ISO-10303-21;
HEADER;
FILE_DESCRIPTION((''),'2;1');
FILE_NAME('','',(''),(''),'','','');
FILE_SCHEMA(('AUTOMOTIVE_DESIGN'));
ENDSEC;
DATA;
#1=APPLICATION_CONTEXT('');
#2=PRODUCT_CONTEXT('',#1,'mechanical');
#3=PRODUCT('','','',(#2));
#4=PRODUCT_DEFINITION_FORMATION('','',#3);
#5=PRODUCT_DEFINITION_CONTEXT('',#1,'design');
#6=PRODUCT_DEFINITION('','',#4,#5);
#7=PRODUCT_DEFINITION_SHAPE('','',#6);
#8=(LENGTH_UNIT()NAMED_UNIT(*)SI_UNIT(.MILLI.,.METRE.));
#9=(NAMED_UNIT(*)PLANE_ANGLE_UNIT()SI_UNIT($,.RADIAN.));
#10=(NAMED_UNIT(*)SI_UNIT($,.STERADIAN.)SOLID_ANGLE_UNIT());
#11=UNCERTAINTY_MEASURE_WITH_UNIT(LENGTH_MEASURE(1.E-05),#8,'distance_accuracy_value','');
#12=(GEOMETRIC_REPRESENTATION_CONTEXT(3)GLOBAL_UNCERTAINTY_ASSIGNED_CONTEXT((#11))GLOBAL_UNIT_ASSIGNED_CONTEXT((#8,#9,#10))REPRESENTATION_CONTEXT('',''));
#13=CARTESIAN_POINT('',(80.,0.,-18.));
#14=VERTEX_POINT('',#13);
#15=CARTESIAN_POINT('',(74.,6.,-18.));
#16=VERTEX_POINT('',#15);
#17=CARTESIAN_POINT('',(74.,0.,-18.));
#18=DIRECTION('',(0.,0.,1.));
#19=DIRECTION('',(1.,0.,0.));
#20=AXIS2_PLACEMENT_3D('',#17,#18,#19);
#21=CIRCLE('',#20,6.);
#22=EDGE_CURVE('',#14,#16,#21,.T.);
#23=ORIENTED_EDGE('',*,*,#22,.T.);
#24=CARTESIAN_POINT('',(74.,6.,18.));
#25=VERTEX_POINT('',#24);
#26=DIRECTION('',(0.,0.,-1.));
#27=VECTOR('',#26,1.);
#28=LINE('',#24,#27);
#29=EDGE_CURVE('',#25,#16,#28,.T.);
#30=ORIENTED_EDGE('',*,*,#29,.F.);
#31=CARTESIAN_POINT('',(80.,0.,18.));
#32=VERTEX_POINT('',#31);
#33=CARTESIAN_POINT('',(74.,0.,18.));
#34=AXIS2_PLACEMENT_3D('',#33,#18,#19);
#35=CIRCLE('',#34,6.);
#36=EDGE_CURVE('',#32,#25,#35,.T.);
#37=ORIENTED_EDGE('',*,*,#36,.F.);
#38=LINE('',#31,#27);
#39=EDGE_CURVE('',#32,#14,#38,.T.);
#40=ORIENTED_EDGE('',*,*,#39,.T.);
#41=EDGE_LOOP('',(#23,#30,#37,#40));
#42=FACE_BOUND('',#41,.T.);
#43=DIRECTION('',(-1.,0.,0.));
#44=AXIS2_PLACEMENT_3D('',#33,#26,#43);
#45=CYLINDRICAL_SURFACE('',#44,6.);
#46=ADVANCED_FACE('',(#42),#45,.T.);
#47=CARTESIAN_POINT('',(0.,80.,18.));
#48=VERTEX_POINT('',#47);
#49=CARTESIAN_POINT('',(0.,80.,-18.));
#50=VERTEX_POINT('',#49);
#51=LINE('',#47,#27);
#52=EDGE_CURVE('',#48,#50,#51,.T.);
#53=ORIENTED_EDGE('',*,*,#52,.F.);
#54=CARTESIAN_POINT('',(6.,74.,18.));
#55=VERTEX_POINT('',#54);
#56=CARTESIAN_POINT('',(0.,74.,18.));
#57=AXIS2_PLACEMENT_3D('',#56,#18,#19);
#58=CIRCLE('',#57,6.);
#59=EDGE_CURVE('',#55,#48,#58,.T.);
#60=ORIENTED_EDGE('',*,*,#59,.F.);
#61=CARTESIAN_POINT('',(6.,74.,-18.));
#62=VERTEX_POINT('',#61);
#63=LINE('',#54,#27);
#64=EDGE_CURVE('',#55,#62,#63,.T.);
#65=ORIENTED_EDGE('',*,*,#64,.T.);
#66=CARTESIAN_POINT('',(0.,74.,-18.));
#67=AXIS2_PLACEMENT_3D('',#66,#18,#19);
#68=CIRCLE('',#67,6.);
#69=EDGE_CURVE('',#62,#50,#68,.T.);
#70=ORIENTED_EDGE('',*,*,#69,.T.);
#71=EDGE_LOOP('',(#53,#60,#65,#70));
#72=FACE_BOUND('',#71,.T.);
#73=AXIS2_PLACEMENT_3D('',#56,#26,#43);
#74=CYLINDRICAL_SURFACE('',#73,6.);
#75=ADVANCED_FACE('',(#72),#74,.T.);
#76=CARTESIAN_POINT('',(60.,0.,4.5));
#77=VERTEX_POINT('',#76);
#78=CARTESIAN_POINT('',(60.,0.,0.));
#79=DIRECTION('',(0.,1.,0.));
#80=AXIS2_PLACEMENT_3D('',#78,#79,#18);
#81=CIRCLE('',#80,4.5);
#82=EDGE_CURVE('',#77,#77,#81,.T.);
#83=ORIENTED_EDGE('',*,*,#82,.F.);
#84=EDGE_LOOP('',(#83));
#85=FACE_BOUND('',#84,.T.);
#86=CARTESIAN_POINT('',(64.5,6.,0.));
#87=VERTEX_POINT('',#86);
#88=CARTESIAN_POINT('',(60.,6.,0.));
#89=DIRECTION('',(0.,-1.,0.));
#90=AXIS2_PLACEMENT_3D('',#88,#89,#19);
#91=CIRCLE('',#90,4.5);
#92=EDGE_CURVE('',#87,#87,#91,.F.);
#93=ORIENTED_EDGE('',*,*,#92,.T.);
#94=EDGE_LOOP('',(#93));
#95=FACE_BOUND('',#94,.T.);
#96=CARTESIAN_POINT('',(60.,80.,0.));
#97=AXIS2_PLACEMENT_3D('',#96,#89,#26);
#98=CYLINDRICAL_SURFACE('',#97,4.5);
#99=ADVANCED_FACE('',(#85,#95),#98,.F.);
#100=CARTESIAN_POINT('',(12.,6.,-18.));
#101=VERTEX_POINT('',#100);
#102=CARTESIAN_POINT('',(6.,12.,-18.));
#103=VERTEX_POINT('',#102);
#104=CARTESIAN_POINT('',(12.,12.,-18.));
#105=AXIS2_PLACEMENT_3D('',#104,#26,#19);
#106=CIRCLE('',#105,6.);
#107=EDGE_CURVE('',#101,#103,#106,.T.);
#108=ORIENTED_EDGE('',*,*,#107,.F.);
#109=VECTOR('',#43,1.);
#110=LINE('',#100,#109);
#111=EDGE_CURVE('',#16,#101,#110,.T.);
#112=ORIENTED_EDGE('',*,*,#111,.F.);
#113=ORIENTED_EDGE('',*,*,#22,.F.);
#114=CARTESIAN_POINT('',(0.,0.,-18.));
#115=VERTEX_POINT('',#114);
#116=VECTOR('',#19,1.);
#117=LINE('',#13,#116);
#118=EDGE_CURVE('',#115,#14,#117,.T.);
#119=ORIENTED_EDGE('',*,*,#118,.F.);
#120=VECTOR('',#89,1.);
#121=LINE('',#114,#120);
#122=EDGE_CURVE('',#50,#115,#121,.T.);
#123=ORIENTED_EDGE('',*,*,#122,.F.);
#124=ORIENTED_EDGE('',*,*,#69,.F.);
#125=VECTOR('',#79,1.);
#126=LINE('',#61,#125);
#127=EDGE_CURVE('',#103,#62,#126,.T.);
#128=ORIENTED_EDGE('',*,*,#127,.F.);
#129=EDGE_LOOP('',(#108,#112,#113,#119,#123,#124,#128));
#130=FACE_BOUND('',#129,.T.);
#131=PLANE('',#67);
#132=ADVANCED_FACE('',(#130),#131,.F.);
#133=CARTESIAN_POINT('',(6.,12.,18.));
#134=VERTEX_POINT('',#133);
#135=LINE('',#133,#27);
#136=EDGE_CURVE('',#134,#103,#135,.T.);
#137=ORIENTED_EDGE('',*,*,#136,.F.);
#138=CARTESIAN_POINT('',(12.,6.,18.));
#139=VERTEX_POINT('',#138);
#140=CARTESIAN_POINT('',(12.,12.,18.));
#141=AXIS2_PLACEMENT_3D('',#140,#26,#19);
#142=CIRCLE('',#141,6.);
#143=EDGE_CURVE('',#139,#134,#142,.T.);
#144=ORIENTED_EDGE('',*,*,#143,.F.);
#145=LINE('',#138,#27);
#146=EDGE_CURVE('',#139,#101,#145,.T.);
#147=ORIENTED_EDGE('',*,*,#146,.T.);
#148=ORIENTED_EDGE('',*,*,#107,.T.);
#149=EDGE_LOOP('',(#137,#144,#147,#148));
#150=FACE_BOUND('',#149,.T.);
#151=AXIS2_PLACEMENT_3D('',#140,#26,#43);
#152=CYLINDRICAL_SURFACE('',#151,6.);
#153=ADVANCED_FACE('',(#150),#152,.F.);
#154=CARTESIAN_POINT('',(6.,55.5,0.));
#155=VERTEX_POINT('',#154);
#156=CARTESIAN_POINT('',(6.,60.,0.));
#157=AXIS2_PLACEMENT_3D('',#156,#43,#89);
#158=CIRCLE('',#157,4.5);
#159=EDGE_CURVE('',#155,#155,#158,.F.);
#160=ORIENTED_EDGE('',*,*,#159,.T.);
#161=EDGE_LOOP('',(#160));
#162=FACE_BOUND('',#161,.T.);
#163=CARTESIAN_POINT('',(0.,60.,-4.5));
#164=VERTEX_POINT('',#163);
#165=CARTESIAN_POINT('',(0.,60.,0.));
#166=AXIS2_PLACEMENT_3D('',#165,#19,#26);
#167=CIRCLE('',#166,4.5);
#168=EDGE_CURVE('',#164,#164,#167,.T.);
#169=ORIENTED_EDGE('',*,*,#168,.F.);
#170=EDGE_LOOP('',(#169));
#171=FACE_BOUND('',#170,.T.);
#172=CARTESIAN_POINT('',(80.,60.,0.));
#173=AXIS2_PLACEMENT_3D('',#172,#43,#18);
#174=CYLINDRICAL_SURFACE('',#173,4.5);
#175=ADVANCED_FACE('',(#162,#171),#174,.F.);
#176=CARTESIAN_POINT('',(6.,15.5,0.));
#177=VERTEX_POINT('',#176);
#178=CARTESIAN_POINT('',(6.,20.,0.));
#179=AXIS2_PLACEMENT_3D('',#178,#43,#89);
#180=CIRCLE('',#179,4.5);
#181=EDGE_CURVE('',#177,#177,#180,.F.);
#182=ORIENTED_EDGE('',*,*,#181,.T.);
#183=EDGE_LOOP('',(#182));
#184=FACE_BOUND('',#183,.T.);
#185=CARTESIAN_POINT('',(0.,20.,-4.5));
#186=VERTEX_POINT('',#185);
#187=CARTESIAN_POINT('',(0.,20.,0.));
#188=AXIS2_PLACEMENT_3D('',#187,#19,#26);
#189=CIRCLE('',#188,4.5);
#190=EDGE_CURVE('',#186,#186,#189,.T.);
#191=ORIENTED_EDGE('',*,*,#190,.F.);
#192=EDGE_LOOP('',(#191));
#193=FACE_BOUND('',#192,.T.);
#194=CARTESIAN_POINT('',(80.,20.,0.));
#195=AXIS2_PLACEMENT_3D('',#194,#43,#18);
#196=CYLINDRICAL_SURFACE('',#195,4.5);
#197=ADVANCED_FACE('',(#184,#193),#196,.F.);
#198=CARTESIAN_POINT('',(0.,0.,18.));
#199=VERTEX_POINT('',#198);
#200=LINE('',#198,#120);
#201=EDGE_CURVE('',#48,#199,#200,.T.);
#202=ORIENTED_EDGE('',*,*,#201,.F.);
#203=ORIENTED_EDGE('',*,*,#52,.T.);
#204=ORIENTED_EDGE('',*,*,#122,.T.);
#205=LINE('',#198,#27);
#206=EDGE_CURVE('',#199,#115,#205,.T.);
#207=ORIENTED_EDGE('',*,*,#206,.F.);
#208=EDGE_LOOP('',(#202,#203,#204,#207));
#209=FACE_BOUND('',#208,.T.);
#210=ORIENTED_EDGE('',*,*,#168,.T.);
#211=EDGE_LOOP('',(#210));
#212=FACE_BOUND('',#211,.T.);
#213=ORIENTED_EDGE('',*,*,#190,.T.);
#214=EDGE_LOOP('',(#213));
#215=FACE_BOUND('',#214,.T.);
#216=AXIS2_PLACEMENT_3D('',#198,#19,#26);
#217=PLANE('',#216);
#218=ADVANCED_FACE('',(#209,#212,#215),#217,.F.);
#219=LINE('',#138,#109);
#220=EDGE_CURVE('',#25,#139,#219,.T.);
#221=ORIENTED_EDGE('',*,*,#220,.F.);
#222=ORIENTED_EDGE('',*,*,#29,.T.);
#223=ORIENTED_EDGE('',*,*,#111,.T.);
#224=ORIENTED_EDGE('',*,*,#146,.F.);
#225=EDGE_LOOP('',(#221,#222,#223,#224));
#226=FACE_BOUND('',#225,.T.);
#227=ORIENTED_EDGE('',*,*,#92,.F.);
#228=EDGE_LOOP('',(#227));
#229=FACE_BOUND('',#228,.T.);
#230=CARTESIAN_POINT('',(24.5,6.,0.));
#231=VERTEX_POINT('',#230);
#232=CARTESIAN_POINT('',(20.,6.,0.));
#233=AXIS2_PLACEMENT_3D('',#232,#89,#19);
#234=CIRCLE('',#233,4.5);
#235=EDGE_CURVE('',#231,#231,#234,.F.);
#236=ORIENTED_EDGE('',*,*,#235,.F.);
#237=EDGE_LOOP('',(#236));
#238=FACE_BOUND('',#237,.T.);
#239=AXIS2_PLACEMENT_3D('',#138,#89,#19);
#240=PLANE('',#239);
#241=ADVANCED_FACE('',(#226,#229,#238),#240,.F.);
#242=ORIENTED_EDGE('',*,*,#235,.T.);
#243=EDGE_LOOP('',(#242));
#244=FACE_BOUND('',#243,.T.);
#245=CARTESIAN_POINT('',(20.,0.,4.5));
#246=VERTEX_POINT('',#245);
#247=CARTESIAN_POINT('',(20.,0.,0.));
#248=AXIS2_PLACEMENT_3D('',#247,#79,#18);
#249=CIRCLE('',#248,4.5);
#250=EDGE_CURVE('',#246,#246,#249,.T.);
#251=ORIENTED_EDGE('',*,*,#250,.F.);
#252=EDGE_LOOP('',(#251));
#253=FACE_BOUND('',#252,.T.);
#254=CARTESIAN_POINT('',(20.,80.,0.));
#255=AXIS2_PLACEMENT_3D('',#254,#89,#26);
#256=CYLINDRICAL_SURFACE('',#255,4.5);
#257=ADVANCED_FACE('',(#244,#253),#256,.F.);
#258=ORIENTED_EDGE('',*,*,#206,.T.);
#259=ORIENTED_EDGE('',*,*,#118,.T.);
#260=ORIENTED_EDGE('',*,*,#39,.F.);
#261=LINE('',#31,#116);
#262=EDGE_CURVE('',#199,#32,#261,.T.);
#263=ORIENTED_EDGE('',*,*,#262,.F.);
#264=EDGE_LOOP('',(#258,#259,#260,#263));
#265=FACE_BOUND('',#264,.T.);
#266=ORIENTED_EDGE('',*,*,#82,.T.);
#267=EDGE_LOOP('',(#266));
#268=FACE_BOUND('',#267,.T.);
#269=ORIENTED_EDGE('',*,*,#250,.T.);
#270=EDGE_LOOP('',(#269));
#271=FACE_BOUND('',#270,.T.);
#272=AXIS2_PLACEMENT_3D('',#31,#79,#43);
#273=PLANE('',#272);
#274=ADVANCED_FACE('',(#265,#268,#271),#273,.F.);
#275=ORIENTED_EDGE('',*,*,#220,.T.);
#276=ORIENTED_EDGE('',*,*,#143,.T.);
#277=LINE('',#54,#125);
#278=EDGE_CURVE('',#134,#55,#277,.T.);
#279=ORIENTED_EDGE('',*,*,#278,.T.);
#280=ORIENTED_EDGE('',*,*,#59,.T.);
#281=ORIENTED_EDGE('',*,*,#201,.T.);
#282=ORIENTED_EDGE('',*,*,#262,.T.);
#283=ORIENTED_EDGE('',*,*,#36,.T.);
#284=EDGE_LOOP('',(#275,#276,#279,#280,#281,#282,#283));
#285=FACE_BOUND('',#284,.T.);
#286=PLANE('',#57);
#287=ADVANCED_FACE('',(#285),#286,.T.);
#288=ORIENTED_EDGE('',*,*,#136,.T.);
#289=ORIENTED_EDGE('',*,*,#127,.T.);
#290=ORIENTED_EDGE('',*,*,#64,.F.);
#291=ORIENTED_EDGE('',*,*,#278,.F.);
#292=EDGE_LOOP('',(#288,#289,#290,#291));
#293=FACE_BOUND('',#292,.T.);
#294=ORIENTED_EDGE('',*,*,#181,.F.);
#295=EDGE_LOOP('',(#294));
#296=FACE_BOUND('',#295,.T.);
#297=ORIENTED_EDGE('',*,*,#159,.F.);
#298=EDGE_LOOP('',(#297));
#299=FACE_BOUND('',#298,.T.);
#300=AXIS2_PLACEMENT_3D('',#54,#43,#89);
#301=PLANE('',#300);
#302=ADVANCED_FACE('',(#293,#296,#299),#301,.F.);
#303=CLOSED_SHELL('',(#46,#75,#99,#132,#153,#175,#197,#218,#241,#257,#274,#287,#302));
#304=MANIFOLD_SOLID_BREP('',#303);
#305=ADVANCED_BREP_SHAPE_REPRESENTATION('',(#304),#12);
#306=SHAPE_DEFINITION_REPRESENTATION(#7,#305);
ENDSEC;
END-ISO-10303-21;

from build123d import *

# Parameters (mm, degrees)
BOSS_EXTRUDE1_DEPTH = 18
SKETCH2_R           = 4.5
CUT_EXTRUDE1_DEPTH  = 81
SKETCH3_R           = 4.5
CUT_EXTRUDE2_DEPTH  = 81


with BuildPart() as part:
    # Sketch1 → Boss-Extrude1 (new body, symmetric)
    with BuildSketch(Plane.XY):
        with BuildLine():
            Line((0, 0), (0, 80))
            ThreePointArc((0, 80), (4.242640687, 78.242640687), (6, 74))
            Line((6, 74), (6, 12))
            ThreePointArc((6, 12), (7.757359313, 7.757359313), (12, 6))
            Line((12, 6), (74, 6))
            ThreePointArc((74, 6), (78.242640687, 4.242640687), (80, 0))
            Line((80, 0), (0, 0))
        make_face()
    extrude(amount=BOSS_EXTRUDE1_DEPTH, both=True)

    # Sketch2 → Cut-Extrude1 (cut, through all)
    with BuildSketch(Plane(origin=(0, 0, 0), x_dir=(1, 0, 0), z_dir=(0, 1, 0))):
        with Locations((20, 0)):
            Circle(SKETCH2_R)
        with Locations((60, 0)):
            Circle(SKETCH2_R)
    extrude(amount=CUT_EXTRUDE1_DEPTH, mode=Mode.SUBTRACT)

    # Sketch3 → Cut-Extrude2 (cut, through all)
    with BuildSketch(Plane(origin=(0, 0, 0), x_dir=(0, 0, -1), z_dir=(1, 0, 0))):
        with Locations((0, 20)):
            Circle(SKETCH3_R)
        with Locations((0, 60)):
            Circle(SKETCH3_R)
    extrude(amount=CUT_EXTRUDE2_DEPTH, mode=Mode.SUBTRACT)


solid = part.part
